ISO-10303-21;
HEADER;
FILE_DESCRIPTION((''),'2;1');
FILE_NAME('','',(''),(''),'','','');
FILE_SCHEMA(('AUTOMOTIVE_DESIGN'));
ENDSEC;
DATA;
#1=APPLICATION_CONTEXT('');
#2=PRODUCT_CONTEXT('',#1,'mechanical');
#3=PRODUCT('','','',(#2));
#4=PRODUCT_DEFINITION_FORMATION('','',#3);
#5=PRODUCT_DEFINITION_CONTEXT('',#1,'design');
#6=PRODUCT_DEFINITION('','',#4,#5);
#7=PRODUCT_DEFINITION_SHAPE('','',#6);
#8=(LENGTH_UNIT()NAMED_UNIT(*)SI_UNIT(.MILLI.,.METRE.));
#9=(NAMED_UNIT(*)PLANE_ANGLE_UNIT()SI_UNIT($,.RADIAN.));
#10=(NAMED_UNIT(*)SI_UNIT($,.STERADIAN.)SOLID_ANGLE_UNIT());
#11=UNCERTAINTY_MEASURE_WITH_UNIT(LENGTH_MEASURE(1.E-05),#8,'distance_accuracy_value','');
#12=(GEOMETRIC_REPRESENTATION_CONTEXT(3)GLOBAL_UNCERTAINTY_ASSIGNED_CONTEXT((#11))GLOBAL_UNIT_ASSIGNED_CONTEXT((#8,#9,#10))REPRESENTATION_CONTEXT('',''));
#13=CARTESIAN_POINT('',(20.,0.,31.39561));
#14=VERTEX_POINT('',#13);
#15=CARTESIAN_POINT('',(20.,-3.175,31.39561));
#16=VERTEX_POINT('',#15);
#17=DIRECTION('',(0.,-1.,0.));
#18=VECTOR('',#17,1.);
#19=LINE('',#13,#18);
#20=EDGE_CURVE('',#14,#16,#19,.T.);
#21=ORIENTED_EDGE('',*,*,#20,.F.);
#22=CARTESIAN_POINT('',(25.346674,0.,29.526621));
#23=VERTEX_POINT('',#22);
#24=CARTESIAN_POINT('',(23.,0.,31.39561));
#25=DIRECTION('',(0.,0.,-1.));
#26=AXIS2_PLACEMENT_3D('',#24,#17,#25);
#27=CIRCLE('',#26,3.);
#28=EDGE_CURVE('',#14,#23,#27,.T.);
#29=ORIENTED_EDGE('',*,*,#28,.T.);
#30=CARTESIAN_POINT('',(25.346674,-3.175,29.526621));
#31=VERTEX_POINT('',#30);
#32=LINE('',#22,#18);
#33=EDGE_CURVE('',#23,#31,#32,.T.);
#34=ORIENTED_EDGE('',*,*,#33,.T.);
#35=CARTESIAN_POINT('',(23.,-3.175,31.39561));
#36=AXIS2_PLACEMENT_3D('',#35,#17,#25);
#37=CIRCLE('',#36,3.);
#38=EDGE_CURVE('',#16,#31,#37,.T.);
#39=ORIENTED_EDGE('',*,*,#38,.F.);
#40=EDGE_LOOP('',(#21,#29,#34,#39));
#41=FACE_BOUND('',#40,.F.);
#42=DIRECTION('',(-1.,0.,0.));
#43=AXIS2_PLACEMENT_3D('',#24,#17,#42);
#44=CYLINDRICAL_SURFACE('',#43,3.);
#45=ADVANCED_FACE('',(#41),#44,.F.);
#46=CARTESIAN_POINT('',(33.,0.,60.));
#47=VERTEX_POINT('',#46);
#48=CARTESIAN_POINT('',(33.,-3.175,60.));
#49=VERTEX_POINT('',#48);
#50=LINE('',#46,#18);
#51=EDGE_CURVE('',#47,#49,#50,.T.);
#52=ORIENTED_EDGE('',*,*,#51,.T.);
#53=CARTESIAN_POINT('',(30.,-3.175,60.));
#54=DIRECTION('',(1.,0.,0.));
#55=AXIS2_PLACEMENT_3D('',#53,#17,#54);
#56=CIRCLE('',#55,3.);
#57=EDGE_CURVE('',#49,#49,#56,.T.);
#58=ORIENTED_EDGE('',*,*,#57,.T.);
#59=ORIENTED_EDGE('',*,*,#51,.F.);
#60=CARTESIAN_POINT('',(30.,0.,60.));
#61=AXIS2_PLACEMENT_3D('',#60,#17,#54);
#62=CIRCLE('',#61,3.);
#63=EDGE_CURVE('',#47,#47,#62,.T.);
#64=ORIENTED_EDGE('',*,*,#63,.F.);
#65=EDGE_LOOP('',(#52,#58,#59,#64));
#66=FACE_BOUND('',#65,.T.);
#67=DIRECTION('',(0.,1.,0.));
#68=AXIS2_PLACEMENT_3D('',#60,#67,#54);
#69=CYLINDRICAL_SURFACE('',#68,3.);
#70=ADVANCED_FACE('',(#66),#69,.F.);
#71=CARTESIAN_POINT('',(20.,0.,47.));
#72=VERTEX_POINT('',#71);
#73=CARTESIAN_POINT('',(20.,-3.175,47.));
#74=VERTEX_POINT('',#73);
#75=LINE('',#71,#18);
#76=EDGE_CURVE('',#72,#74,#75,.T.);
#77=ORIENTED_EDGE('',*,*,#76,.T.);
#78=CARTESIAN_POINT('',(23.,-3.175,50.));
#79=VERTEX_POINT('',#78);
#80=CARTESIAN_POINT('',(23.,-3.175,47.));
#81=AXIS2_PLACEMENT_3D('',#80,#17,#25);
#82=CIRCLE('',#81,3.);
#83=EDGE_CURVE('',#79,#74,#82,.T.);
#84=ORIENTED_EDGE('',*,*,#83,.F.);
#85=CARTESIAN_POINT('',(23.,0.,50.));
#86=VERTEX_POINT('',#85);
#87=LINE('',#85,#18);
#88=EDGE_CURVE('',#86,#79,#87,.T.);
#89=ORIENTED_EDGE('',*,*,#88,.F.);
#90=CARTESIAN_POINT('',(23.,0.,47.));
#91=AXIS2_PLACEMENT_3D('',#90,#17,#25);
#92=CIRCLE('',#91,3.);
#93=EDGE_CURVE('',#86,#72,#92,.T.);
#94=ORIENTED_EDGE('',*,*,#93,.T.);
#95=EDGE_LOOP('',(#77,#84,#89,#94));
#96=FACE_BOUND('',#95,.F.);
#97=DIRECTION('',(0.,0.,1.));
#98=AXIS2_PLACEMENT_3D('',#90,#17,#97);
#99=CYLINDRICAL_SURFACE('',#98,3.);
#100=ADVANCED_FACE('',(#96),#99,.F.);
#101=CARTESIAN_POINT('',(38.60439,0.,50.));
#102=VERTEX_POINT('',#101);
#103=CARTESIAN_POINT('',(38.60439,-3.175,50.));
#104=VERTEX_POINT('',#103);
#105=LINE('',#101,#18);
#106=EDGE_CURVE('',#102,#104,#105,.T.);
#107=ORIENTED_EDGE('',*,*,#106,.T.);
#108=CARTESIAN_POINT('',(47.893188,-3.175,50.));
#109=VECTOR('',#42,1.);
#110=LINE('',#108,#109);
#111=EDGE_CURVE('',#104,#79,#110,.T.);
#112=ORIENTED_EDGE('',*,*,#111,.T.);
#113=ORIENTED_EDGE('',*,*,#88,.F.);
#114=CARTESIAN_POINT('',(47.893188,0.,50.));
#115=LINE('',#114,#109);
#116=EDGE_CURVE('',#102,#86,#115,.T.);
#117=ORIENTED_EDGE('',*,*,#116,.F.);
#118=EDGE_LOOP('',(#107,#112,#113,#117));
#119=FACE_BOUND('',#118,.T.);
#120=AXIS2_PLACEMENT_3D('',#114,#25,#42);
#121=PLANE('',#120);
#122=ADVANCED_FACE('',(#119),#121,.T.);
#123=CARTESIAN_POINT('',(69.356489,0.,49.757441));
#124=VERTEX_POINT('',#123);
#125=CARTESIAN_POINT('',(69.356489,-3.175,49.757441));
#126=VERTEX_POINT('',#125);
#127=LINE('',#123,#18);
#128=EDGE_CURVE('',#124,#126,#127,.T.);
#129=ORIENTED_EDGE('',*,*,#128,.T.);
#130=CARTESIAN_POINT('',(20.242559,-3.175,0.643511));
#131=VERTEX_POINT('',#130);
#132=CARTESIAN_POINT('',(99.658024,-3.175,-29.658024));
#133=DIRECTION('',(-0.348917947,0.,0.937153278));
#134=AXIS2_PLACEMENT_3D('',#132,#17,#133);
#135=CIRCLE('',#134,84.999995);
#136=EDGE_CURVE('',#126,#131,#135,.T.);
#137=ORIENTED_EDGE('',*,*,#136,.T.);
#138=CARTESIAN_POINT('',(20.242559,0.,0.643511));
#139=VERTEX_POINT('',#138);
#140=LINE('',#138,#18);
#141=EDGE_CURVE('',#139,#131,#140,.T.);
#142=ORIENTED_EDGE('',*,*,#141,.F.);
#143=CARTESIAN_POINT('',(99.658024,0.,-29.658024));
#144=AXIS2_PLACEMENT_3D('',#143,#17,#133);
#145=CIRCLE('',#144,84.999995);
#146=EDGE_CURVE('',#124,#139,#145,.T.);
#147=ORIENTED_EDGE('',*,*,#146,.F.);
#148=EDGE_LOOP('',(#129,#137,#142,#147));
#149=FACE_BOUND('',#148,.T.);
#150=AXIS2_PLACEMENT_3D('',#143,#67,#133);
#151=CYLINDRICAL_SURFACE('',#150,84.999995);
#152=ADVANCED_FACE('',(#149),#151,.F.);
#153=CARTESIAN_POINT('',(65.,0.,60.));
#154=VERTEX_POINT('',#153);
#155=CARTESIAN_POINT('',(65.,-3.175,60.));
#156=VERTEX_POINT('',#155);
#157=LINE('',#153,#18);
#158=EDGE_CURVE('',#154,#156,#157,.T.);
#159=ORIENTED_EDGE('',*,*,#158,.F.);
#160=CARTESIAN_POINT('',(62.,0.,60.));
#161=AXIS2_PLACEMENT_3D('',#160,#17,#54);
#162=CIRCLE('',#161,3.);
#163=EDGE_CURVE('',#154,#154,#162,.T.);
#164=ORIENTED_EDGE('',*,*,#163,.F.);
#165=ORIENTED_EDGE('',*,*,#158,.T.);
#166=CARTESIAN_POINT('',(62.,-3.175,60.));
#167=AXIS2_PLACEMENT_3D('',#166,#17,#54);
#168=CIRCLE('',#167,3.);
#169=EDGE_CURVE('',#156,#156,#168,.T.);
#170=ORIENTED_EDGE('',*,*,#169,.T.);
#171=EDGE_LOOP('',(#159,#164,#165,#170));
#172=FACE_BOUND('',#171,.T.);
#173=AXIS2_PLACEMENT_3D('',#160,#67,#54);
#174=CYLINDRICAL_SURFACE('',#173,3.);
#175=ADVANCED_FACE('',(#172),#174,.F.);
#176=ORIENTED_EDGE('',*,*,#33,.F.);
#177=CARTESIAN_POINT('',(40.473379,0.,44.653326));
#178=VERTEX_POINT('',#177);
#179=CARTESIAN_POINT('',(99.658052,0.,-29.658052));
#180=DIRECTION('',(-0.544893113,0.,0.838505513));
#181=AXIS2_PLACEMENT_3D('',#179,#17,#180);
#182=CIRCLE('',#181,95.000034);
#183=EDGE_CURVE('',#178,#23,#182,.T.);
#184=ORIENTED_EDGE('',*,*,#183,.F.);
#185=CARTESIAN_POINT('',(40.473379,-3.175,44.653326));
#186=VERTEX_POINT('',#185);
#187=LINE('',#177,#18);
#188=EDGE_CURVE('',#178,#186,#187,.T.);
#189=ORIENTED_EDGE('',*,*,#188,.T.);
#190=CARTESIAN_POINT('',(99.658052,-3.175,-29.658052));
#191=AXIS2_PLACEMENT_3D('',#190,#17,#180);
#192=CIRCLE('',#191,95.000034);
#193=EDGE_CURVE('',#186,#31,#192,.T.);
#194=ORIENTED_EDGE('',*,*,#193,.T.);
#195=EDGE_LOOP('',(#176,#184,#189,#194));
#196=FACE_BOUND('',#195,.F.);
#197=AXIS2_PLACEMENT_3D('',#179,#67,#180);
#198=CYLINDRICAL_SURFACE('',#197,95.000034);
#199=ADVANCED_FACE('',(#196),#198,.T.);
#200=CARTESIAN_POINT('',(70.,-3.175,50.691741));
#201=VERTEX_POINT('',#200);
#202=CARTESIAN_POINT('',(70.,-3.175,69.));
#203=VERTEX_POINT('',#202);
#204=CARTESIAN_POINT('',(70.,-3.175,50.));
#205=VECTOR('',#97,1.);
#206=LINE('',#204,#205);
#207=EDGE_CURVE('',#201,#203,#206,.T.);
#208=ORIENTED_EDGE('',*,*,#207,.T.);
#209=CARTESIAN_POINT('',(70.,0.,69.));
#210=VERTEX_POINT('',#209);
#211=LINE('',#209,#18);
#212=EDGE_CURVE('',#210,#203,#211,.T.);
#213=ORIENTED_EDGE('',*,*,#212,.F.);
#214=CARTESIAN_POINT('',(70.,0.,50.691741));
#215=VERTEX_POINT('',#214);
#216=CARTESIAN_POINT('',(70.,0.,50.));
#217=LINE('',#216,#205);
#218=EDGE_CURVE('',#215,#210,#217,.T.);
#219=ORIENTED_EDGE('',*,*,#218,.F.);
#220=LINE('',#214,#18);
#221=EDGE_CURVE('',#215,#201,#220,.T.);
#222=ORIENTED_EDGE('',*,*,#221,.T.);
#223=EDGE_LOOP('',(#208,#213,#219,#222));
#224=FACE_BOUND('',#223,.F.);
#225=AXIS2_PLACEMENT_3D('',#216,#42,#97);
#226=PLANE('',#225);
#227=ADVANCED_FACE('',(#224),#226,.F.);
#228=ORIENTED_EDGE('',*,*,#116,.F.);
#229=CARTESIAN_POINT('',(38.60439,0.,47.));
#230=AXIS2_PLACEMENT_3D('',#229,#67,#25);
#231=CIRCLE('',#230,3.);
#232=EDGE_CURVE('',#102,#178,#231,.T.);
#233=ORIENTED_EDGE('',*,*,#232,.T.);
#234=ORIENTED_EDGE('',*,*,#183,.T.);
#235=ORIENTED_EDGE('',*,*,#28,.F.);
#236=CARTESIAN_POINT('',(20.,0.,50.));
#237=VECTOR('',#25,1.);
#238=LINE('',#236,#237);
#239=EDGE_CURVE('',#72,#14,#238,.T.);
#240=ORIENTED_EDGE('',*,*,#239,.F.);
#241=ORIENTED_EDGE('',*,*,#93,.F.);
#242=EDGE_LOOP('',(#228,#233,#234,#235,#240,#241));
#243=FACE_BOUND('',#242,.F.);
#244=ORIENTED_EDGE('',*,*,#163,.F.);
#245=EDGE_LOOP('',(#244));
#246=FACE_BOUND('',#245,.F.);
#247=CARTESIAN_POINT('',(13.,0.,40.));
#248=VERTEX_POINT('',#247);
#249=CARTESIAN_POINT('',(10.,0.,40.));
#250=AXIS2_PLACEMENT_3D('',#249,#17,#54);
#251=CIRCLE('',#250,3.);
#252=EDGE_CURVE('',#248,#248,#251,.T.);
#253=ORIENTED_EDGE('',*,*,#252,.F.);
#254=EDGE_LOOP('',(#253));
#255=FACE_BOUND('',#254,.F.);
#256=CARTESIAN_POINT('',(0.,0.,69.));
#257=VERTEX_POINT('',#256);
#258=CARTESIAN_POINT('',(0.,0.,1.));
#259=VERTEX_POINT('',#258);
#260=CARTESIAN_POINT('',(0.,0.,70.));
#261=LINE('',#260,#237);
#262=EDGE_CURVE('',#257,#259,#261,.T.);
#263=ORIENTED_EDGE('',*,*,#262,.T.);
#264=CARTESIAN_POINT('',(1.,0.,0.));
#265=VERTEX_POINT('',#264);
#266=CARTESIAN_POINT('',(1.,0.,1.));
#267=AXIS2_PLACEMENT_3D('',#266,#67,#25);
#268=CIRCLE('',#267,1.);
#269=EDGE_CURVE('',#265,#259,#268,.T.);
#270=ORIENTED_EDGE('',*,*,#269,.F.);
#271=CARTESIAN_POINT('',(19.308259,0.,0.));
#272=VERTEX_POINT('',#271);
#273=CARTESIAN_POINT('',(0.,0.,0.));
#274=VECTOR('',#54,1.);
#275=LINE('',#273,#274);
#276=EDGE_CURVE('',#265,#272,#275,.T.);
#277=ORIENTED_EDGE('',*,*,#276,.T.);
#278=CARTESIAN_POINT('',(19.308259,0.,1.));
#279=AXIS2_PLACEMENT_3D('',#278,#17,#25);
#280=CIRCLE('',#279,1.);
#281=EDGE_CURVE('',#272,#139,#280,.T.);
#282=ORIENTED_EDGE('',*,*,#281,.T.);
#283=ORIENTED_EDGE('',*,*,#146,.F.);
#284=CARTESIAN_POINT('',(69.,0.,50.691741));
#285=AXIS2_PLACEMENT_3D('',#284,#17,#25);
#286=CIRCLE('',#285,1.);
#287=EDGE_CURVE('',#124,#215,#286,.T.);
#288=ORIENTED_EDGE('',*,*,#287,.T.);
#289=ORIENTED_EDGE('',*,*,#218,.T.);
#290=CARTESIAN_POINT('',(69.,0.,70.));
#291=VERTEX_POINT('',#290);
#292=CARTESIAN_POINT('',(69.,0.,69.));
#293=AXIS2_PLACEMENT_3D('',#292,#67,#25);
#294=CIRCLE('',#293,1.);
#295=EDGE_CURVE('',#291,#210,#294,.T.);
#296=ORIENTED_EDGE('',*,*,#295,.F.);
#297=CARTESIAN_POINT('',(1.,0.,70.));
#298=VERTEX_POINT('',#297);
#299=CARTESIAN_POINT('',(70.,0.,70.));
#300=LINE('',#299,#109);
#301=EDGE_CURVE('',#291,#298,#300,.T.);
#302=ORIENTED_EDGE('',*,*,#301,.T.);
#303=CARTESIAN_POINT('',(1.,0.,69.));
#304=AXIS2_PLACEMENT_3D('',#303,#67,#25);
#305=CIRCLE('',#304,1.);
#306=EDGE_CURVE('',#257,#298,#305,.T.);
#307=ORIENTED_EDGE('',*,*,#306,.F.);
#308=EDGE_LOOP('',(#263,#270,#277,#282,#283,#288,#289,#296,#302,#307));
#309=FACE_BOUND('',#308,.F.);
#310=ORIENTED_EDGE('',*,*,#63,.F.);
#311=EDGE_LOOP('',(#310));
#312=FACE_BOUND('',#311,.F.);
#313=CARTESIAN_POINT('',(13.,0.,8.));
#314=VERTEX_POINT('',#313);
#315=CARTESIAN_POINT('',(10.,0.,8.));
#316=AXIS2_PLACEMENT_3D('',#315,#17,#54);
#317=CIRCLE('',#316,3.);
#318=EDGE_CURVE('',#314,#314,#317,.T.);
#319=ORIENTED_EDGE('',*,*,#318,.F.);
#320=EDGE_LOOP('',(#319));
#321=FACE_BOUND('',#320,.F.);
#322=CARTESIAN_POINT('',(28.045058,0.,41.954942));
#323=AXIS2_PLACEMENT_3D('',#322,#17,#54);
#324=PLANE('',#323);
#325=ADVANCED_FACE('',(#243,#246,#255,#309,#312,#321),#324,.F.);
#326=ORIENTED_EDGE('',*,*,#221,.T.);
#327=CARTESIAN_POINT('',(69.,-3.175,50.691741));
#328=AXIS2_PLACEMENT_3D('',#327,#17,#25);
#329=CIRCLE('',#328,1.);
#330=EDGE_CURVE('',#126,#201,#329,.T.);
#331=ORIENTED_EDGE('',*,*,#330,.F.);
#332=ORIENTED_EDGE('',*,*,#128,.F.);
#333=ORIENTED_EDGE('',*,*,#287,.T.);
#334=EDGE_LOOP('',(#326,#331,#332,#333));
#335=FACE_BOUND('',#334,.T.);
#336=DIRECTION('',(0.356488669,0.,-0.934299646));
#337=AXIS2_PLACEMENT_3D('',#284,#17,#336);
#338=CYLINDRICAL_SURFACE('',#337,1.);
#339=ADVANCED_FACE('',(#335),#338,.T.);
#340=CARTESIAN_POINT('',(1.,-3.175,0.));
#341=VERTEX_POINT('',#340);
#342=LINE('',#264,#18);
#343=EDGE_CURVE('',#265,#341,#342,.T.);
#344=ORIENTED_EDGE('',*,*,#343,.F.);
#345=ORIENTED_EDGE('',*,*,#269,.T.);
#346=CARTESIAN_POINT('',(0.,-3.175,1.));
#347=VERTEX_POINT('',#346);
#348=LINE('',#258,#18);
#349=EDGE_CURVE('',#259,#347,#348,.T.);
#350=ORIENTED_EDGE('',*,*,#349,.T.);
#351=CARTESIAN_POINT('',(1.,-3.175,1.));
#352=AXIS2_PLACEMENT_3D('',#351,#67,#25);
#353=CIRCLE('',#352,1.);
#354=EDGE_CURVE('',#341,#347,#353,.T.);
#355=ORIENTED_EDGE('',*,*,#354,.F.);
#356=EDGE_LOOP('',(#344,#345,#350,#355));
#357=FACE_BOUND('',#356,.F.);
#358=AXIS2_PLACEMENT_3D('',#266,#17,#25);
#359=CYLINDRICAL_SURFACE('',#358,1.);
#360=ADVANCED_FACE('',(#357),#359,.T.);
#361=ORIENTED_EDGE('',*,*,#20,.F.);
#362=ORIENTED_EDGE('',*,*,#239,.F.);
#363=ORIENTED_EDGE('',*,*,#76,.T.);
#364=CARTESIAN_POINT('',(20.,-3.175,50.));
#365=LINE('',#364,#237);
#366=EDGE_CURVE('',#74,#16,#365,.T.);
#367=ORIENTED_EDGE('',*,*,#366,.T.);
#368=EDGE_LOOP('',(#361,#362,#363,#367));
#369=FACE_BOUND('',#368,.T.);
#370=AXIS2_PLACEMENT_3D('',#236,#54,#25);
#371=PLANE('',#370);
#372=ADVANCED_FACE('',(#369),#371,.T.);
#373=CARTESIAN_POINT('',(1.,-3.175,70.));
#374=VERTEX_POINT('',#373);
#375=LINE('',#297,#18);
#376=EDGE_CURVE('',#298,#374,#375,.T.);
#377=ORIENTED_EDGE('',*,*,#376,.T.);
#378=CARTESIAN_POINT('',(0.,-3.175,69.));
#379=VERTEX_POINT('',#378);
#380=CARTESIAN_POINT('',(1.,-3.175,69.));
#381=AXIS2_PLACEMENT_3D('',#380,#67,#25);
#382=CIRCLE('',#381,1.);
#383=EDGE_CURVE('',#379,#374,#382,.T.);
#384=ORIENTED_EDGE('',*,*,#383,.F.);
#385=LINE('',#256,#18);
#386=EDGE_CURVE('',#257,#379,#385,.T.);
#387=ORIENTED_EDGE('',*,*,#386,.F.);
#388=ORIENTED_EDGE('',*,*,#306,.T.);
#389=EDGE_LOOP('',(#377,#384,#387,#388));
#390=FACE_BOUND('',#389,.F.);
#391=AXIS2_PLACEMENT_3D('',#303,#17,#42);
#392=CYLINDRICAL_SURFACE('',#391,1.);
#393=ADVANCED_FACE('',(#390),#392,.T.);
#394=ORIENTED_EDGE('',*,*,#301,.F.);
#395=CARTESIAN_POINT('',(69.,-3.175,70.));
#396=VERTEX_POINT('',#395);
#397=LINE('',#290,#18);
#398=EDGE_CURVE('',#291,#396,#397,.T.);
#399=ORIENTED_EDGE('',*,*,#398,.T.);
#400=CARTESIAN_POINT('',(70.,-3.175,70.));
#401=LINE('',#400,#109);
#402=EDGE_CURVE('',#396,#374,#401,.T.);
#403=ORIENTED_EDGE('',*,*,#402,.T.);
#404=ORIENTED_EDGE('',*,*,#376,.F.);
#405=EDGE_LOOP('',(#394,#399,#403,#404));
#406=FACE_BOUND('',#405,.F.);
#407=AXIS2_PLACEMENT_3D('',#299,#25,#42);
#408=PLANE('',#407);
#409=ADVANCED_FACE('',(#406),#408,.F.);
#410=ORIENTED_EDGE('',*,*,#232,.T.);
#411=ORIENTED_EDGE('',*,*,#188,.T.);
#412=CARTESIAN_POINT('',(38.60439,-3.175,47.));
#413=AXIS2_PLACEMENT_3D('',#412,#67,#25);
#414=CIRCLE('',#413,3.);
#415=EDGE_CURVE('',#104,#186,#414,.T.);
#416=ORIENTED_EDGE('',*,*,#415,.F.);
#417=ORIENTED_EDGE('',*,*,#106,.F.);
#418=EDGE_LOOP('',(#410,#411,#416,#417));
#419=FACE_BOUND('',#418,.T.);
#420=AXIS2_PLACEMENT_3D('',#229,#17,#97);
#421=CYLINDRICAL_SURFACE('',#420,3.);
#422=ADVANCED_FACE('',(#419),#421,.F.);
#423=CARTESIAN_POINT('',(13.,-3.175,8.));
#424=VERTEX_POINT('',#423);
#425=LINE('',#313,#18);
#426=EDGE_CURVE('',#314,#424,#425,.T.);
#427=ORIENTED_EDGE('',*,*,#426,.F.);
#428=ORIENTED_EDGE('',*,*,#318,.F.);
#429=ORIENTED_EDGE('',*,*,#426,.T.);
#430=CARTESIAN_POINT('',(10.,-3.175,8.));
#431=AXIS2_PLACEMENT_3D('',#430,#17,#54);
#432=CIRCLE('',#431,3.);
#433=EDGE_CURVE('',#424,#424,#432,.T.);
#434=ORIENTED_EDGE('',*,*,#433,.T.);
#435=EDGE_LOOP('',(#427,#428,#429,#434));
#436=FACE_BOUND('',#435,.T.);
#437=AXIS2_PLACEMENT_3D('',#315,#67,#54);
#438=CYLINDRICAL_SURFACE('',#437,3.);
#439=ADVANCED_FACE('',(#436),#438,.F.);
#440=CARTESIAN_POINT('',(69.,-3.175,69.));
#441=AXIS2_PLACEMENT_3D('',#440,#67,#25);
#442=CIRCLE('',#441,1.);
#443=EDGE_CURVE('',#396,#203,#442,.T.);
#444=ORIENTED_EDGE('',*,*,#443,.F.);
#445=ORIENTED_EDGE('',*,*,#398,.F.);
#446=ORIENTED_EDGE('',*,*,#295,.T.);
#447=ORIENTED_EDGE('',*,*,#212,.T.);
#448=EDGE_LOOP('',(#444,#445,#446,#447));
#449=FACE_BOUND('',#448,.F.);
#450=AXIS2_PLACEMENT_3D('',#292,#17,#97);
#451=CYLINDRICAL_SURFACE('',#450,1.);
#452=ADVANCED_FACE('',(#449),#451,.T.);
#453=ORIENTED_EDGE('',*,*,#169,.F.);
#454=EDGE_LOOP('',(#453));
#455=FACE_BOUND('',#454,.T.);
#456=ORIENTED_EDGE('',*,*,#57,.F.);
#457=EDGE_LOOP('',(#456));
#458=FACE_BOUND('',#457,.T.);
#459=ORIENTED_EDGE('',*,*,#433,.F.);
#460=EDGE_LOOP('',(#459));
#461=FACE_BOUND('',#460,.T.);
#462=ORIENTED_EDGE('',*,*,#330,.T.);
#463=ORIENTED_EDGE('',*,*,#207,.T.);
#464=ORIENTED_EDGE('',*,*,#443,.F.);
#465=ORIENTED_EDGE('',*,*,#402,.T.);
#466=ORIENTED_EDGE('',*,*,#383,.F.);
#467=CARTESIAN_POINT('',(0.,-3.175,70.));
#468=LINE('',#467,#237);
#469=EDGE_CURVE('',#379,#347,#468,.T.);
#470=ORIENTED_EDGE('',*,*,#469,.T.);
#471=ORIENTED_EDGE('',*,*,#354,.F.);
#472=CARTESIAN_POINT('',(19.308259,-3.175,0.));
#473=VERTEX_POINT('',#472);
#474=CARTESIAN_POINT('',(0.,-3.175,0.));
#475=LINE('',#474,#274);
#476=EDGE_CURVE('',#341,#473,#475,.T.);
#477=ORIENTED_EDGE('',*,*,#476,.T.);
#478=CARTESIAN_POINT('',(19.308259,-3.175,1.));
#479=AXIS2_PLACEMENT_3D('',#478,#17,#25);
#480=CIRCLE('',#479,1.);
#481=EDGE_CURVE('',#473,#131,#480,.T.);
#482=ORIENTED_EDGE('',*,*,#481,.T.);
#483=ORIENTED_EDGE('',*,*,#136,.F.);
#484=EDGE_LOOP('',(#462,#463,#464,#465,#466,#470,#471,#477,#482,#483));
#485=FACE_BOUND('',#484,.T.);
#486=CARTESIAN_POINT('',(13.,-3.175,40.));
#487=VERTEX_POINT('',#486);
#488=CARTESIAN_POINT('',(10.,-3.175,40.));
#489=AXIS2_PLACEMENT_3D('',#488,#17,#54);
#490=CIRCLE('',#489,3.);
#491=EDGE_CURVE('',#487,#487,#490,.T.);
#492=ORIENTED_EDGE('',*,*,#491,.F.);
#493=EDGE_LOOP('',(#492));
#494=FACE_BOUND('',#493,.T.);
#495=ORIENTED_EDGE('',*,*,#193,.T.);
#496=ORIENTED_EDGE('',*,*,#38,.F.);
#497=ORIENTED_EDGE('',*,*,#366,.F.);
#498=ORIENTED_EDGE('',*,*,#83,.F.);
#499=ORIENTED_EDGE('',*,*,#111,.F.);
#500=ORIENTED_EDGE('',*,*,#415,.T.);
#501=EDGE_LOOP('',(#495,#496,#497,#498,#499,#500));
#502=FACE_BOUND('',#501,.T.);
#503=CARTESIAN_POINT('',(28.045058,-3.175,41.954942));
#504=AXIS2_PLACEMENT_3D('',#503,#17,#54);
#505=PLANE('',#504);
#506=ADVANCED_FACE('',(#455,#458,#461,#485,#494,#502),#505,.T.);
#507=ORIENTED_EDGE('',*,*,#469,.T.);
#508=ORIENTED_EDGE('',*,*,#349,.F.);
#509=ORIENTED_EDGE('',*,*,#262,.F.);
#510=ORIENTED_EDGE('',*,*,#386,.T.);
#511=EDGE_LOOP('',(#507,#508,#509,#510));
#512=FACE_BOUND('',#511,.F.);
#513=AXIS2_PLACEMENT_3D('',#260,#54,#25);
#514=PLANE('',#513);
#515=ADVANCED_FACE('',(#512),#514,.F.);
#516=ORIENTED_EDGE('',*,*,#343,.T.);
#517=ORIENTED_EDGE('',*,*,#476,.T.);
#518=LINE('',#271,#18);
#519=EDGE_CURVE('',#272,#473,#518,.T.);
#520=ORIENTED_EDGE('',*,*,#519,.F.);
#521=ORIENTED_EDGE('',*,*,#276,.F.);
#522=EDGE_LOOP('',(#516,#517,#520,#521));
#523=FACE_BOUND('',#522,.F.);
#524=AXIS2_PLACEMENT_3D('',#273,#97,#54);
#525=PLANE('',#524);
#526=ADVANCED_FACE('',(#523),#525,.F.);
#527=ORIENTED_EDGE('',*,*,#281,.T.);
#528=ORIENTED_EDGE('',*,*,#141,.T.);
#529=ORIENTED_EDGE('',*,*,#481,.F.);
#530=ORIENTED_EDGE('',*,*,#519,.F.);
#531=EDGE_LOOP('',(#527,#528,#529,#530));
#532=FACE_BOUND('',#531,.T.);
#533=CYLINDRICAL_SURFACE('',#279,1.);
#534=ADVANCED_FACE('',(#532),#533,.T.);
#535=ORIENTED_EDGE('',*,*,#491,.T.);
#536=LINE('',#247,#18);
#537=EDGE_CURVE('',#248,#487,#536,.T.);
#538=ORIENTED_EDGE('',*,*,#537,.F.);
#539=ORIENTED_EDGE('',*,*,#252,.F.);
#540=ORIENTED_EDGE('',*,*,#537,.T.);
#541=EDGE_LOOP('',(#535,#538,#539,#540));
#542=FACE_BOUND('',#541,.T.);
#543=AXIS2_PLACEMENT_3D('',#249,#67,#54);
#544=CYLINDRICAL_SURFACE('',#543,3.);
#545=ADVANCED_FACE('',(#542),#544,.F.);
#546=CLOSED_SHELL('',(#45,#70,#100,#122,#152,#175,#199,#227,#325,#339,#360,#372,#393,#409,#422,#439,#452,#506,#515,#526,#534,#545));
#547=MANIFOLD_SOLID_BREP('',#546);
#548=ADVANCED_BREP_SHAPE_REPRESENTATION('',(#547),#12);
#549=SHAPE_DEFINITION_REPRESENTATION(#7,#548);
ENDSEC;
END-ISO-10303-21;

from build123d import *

# Parameters (mm, degrees)
SKETCH_R    = 3
PAD_DEPTH   = 3.175
FILLET_R    = 3
FILLET001_R = 1


with BuildPart() as part:
    # Sketch → Pad (new body)
    with BuildSketch(Plane.XZ):
        with BuildLine():
            Line((0, 0), (20, 0))
            ThreePointArc((70, 50), (39.553951, 30.446049), (20, 0))
            Line((70, 50), (70, 70))
            Line((70, 70), (0, 70))
            Line((0, 70), (0, 0))
        make_face()
        with Locations((10, 40)):
            Circle(SKETCH_R, mode=Mode.SUBTRACT)
        with Locations((10, 8)):
            Circle(SKETCH_R, mode=Mode.SUBTRACT)
        with Locations((30, 60)):
            Circle(SKETCH_R, mode=Mode.SUBTRACT)
        with Locations((62, 60)):
            Circle(SKETCH_R, mode=Mode.SUBTRACT)
        with BuildLine():
            Line((47.893188, 50), (20, 50))
            Line((20, 50), (20, 22.106812))
            ThreePointArc((47.893188, 50), (32.482884, 37.517116), (20, 22.106812))
        make_face(mode=Mode.SUBTRACT)
    extrude(amount=PAD_DEPTH)

    # Fillet
    fillet_edges = [part.edges().sort_by_distance(p)[0] for p in [
        (20, -1.5875, 22.106812),
        (47.893188, -1.5875, 50),
        (20, -1.5875, 50),
    ]]
    fillet(fillet_edges, radius=FILLET_R)

    # Fillet001
    fillet001_edges = [part.edges().sort_by_distance(p)[0] for p in [
        (70, -1.5875, 50),
        (70, -1.5875, 70),
        (20, -1.5875, 0),
        (0, -1.5875, 0),
        (0, -1.5875, 70),
    ]]
    fillet(fillet001_edges, radius=FILLET001_R)


solid = part.part
